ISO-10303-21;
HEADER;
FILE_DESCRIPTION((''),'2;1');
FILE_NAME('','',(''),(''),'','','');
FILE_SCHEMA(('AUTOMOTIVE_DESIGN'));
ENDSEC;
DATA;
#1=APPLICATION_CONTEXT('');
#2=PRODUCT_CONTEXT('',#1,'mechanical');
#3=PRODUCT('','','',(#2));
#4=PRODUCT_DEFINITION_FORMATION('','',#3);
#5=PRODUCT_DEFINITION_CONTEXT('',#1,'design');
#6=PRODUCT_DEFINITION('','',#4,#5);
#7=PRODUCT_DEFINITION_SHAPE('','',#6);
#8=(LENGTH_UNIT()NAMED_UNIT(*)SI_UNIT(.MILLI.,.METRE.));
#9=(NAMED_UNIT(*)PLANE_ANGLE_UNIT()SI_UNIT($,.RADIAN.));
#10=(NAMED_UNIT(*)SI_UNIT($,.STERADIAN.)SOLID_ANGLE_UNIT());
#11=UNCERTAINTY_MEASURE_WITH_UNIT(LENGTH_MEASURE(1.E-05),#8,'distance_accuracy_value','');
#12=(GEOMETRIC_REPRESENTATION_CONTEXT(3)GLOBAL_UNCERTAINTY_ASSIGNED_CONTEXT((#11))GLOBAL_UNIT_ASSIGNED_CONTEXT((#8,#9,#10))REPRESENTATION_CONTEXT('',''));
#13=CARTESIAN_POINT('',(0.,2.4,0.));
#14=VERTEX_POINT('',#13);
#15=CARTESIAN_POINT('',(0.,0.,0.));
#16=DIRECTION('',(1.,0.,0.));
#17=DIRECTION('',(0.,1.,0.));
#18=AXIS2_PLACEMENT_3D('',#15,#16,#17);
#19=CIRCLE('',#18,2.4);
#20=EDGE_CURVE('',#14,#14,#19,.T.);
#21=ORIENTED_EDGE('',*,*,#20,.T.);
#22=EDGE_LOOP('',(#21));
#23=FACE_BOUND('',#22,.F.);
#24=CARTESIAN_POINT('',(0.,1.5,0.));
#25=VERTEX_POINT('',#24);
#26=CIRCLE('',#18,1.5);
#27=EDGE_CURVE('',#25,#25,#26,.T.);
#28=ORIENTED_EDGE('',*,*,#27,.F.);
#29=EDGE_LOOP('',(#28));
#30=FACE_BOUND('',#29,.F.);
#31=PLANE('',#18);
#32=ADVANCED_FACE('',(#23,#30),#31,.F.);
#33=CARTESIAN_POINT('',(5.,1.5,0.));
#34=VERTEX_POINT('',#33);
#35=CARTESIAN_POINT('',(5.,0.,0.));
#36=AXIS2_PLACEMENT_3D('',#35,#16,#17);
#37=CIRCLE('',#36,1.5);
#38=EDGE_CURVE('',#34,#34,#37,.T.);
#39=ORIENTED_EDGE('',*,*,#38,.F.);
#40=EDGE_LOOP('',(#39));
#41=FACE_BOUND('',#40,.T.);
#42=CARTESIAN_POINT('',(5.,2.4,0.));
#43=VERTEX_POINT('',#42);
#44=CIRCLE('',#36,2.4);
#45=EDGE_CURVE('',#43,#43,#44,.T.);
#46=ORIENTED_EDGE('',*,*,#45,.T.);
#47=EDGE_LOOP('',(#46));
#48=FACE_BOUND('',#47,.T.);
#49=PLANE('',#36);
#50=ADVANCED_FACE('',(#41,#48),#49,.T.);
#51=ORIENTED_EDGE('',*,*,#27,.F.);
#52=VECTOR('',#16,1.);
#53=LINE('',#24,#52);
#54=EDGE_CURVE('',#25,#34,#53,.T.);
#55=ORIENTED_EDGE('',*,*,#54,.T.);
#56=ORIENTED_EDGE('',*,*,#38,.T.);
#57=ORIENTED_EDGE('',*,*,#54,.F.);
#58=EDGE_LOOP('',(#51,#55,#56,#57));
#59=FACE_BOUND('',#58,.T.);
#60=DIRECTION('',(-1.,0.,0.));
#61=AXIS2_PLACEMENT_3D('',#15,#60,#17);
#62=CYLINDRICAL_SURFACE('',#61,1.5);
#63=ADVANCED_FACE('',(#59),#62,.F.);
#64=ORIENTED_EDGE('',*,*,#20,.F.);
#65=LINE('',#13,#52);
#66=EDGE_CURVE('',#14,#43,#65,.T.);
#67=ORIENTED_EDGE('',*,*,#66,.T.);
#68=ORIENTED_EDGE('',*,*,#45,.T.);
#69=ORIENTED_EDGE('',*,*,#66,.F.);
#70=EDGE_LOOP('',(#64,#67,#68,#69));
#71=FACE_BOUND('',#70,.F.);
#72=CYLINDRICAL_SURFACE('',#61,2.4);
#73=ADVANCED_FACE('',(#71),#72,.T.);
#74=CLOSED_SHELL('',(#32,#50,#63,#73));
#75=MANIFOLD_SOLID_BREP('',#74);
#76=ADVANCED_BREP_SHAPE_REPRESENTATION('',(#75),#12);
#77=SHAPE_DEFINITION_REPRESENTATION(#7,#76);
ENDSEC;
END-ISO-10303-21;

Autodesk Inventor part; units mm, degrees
ref_plane "YZ Plane" through (0, 0, 0) normal (1, 0, 0) x (0, 1, 0)
ref_plane "XZ Plane" through (0, 0, 0) normal (0, 1, 0) x (-1, 0, 0)
ref_plane "XY Plane" through (0, 0, 0) normal (0, 0, 1) x (1, 0, 0)
sketch "スケッチ1" plane through (0, 0, 0) normal (1, 0, 0) x (0, 1, 0)
  circle A0 centre (0, 0) radius 1.5
  circle A1 centre (0, 0) radius 2.4
  dimension "d0" = 3
  dimension "d1" = 4.8
extrude "押し出し1" add sketch "スケッチ1" along normal blind 5
thread "ねじ1" size "M3x0.5" class "6H" standard "ANSI Metric M Profile" full length
properties part number "インサートナットM3_5mm_D4.8" material "真鍮、ソフト イエロー"
